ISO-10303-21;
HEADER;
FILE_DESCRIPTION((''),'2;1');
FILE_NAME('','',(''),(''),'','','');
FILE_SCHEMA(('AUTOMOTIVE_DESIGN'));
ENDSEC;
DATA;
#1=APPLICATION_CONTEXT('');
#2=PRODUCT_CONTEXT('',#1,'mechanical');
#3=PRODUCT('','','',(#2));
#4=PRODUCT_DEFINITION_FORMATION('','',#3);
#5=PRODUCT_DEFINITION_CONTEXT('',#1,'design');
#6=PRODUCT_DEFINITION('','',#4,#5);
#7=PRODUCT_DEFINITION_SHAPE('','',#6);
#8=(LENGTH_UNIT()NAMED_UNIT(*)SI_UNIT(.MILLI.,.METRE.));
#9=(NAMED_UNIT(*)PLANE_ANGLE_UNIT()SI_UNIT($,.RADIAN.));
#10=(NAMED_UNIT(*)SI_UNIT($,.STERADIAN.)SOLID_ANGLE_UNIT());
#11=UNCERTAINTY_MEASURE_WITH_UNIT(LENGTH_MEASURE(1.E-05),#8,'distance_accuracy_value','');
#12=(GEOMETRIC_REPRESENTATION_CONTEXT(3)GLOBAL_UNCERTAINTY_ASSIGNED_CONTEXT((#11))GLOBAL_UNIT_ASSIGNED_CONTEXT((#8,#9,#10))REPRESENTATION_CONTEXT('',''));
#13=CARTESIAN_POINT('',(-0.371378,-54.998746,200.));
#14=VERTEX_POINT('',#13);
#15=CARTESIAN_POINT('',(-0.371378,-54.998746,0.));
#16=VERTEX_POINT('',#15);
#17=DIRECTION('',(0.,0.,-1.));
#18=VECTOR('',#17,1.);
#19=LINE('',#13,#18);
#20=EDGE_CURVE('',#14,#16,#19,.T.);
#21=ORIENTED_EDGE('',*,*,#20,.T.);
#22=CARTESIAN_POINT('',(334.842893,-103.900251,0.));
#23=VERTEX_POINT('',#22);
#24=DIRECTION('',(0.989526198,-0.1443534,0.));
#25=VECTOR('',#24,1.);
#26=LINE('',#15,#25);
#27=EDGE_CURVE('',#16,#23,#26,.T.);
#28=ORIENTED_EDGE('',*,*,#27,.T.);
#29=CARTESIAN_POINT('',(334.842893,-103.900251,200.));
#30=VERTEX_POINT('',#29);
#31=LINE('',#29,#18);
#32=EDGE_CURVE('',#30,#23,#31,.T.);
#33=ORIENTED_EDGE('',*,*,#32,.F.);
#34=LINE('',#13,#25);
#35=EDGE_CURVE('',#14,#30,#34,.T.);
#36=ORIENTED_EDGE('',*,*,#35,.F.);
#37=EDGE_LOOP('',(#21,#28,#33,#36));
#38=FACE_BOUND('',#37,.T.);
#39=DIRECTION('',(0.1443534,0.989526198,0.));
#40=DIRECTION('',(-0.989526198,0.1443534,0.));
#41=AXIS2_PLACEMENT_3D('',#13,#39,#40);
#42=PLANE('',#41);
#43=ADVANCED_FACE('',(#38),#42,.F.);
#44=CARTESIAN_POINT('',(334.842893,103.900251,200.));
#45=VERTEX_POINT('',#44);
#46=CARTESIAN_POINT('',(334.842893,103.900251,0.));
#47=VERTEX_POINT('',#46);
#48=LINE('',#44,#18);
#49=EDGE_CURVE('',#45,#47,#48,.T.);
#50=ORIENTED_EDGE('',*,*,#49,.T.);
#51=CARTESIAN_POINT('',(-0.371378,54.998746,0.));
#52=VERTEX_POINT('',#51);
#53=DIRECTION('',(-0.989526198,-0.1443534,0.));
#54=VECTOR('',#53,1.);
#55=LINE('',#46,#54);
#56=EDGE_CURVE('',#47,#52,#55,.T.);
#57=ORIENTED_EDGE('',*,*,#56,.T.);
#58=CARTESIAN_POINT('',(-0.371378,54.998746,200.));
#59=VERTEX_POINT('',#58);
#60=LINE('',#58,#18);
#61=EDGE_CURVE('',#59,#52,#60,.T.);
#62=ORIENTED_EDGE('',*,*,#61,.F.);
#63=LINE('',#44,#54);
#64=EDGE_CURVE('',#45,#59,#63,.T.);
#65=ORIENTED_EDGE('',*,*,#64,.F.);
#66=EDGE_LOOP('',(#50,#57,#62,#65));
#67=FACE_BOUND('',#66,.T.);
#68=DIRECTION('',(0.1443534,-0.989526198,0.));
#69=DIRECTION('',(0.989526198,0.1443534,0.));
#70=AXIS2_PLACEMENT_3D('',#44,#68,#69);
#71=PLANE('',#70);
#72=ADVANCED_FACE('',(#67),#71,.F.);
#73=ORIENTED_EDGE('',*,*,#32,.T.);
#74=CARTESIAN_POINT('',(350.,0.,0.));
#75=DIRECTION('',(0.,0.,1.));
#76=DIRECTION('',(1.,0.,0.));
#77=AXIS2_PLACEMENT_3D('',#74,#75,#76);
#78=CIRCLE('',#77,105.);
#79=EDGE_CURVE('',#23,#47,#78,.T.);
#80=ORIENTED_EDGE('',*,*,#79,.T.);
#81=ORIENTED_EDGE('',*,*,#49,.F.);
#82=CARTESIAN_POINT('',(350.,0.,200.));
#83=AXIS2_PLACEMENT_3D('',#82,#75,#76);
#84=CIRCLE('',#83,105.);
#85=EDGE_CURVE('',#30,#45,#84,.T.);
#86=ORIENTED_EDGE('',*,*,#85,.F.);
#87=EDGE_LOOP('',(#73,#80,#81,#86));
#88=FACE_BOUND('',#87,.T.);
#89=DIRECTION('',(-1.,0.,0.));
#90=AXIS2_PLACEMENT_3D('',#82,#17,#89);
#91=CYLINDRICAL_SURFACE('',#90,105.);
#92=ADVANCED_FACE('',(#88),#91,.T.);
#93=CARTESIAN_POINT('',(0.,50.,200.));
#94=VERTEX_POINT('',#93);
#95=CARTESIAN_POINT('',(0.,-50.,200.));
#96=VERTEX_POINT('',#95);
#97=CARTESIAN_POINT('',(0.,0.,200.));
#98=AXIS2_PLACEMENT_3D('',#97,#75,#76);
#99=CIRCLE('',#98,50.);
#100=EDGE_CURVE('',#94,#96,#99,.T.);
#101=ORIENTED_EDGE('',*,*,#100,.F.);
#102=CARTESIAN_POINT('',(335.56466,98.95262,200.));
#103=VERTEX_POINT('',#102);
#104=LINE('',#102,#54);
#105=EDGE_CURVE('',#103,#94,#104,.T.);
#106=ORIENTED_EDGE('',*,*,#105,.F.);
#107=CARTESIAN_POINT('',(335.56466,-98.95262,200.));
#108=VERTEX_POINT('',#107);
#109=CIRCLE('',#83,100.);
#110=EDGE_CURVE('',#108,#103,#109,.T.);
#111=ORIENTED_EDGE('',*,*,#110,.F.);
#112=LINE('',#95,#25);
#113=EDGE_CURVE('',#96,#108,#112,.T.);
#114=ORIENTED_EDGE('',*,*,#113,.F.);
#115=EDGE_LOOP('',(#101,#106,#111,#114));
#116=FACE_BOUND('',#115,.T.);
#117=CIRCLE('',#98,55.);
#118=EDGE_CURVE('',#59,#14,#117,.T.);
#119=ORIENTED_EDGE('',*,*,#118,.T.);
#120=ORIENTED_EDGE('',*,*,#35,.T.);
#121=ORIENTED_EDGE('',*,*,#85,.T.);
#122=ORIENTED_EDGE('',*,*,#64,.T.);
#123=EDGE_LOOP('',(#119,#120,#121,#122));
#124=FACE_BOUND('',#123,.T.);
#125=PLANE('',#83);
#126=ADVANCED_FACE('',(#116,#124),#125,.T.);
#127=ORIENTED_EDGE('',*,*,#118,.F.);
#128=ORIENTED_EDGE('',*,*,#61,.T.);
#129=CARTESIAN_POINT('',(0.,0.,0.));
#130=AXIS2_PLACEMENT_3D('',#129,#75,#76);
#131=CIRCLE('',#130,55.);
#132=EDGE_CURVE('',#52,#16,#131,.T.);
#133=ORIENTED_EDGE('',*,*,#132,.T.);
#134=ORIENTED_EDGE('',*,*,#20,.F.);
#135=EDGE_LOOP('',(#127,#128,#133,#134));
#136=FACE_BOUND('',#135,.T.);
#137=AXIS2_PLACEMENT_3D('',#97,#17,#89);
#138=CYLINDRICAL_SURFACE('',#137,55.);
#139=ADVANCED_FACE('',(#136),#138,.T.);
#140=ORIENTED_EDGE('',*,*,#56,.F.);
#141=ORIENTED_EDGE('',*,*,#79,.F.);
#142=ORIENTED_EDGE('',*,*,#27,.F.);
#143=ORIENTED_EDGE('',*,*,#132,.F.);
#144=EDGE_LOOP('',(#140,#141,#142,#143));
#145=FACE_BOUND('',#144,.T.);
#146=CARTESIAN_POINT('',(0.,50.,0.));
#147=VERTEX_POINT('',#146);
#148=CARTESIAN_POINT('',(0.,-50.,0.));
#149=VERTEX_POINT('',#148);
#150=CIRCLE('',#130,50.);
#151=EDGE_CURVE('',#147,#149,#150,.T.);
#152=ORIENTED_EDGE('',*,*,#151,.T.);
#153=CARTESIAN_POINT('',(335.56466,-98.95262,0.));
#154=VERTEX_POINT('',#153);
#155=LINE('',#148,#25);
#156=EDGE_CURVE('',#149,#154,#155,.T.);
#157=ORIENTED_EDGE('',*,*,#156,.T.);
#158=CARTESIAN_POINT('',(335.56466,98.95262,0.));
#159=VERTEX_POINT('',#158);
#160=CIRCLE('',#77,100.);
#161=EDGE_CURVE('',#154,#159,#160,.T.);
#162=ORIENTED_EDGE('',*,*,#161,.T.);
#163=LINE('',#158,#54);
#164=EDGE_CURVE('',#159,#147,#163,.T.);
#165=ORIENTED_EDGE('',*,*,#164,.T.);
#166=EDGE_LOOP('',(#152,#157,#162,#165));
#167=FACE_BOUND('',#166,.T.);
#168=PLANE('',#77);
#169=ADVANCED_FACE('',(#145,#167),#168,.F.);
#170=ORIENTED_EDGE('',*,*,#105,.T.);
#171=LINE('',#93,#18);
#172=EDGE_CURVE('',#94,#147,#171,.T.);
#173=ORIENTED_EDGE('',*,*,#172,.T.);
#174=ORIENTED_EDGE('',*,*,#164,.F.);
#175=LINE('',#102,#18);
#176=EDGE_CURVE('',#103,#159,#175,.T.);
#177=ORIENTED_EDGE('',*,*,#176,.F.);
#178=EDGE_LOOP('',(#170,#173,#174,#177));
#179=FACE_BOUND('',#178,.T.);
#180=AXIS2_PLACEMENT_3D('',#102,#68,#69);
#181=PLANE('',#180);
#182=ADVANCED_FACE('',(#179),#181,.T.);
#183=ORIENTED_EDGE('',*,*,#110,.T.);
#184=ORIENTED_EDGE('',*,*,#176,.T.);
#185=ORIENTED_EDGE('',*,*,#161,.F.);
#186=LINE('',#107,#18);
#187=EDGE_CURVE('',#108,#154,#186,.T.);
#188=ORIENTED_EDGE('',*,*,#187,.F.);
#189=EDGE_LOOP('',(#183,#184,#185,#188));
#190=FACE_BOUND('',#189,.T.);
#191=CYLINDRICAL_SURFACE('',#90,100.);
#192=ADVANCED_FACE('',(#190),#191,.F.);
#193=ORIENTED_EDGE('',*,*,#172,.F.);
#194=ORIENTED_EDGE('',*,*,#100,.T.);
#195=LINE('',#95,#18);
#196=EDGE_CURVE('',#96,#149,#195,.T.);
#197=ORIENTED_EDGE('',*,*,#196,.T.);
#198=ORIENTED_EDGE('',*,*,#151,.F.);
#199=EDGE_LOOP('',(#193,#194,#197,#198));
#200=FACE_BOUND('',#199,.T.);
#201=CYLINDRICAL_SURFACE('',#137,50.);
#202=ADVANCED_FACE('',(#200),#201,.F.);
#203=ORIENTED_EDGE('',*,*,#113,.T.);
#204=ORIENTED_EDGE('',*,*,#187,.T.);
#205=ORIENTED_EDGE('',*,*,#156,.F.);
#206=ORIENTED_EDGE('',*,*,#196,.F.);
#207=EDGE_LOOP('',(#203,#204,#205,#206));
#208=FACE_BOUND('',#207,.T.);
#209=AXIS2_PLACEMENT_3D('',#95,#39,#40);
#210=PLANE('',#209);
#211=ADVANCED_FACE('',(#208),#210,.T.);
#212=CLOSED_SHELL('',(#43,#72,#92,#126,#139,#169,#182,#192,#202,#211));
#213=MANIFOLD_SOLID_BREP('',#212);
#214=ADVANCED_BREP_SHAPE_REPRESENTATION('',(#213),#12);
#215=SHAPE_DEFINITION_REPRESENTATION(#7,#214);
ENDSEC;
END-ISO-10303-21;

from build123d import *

# Parameters (mm, degrees)
EXTRUDE_2_DEPTH = 200


with BuildPart() as part:
    # 草图1 → 凸台-拉伸2 (new body)
    with BuildSketch(Plane.XY):
        with BuildLine():
            Line((334.842892965, 103.900250752), (-0.371378358, 54.99874615))
            ThreePointArc((-0.371378358, 54.99874615), (-55, 0), (-0.371378358, -54.99874615))
            Line((-0.371378358, -54.99874615), (334.842892965, -103.900250752))
            ThreePointArc((334.842892965, -103.900250752), (455, 0), (334.842892965, 103.900250752))
        make_face()
        with BuildLine():
            Line((335.564659966, 98.952619764), (0, 50))
            ThreePointArc((0, 50), (-50, 0), (0, -50))
            Line((0, -50), (335.564659966, -98.952619764))
            ThreePointArc((335.564659966, -98.952619764), (450, 0), (335.564659966, 98.952619764))
        make_face(mode=Mode.SUBTRACT)
    extrude(amount=EXTRUDE_2_DEPTH)


solid = part.part
